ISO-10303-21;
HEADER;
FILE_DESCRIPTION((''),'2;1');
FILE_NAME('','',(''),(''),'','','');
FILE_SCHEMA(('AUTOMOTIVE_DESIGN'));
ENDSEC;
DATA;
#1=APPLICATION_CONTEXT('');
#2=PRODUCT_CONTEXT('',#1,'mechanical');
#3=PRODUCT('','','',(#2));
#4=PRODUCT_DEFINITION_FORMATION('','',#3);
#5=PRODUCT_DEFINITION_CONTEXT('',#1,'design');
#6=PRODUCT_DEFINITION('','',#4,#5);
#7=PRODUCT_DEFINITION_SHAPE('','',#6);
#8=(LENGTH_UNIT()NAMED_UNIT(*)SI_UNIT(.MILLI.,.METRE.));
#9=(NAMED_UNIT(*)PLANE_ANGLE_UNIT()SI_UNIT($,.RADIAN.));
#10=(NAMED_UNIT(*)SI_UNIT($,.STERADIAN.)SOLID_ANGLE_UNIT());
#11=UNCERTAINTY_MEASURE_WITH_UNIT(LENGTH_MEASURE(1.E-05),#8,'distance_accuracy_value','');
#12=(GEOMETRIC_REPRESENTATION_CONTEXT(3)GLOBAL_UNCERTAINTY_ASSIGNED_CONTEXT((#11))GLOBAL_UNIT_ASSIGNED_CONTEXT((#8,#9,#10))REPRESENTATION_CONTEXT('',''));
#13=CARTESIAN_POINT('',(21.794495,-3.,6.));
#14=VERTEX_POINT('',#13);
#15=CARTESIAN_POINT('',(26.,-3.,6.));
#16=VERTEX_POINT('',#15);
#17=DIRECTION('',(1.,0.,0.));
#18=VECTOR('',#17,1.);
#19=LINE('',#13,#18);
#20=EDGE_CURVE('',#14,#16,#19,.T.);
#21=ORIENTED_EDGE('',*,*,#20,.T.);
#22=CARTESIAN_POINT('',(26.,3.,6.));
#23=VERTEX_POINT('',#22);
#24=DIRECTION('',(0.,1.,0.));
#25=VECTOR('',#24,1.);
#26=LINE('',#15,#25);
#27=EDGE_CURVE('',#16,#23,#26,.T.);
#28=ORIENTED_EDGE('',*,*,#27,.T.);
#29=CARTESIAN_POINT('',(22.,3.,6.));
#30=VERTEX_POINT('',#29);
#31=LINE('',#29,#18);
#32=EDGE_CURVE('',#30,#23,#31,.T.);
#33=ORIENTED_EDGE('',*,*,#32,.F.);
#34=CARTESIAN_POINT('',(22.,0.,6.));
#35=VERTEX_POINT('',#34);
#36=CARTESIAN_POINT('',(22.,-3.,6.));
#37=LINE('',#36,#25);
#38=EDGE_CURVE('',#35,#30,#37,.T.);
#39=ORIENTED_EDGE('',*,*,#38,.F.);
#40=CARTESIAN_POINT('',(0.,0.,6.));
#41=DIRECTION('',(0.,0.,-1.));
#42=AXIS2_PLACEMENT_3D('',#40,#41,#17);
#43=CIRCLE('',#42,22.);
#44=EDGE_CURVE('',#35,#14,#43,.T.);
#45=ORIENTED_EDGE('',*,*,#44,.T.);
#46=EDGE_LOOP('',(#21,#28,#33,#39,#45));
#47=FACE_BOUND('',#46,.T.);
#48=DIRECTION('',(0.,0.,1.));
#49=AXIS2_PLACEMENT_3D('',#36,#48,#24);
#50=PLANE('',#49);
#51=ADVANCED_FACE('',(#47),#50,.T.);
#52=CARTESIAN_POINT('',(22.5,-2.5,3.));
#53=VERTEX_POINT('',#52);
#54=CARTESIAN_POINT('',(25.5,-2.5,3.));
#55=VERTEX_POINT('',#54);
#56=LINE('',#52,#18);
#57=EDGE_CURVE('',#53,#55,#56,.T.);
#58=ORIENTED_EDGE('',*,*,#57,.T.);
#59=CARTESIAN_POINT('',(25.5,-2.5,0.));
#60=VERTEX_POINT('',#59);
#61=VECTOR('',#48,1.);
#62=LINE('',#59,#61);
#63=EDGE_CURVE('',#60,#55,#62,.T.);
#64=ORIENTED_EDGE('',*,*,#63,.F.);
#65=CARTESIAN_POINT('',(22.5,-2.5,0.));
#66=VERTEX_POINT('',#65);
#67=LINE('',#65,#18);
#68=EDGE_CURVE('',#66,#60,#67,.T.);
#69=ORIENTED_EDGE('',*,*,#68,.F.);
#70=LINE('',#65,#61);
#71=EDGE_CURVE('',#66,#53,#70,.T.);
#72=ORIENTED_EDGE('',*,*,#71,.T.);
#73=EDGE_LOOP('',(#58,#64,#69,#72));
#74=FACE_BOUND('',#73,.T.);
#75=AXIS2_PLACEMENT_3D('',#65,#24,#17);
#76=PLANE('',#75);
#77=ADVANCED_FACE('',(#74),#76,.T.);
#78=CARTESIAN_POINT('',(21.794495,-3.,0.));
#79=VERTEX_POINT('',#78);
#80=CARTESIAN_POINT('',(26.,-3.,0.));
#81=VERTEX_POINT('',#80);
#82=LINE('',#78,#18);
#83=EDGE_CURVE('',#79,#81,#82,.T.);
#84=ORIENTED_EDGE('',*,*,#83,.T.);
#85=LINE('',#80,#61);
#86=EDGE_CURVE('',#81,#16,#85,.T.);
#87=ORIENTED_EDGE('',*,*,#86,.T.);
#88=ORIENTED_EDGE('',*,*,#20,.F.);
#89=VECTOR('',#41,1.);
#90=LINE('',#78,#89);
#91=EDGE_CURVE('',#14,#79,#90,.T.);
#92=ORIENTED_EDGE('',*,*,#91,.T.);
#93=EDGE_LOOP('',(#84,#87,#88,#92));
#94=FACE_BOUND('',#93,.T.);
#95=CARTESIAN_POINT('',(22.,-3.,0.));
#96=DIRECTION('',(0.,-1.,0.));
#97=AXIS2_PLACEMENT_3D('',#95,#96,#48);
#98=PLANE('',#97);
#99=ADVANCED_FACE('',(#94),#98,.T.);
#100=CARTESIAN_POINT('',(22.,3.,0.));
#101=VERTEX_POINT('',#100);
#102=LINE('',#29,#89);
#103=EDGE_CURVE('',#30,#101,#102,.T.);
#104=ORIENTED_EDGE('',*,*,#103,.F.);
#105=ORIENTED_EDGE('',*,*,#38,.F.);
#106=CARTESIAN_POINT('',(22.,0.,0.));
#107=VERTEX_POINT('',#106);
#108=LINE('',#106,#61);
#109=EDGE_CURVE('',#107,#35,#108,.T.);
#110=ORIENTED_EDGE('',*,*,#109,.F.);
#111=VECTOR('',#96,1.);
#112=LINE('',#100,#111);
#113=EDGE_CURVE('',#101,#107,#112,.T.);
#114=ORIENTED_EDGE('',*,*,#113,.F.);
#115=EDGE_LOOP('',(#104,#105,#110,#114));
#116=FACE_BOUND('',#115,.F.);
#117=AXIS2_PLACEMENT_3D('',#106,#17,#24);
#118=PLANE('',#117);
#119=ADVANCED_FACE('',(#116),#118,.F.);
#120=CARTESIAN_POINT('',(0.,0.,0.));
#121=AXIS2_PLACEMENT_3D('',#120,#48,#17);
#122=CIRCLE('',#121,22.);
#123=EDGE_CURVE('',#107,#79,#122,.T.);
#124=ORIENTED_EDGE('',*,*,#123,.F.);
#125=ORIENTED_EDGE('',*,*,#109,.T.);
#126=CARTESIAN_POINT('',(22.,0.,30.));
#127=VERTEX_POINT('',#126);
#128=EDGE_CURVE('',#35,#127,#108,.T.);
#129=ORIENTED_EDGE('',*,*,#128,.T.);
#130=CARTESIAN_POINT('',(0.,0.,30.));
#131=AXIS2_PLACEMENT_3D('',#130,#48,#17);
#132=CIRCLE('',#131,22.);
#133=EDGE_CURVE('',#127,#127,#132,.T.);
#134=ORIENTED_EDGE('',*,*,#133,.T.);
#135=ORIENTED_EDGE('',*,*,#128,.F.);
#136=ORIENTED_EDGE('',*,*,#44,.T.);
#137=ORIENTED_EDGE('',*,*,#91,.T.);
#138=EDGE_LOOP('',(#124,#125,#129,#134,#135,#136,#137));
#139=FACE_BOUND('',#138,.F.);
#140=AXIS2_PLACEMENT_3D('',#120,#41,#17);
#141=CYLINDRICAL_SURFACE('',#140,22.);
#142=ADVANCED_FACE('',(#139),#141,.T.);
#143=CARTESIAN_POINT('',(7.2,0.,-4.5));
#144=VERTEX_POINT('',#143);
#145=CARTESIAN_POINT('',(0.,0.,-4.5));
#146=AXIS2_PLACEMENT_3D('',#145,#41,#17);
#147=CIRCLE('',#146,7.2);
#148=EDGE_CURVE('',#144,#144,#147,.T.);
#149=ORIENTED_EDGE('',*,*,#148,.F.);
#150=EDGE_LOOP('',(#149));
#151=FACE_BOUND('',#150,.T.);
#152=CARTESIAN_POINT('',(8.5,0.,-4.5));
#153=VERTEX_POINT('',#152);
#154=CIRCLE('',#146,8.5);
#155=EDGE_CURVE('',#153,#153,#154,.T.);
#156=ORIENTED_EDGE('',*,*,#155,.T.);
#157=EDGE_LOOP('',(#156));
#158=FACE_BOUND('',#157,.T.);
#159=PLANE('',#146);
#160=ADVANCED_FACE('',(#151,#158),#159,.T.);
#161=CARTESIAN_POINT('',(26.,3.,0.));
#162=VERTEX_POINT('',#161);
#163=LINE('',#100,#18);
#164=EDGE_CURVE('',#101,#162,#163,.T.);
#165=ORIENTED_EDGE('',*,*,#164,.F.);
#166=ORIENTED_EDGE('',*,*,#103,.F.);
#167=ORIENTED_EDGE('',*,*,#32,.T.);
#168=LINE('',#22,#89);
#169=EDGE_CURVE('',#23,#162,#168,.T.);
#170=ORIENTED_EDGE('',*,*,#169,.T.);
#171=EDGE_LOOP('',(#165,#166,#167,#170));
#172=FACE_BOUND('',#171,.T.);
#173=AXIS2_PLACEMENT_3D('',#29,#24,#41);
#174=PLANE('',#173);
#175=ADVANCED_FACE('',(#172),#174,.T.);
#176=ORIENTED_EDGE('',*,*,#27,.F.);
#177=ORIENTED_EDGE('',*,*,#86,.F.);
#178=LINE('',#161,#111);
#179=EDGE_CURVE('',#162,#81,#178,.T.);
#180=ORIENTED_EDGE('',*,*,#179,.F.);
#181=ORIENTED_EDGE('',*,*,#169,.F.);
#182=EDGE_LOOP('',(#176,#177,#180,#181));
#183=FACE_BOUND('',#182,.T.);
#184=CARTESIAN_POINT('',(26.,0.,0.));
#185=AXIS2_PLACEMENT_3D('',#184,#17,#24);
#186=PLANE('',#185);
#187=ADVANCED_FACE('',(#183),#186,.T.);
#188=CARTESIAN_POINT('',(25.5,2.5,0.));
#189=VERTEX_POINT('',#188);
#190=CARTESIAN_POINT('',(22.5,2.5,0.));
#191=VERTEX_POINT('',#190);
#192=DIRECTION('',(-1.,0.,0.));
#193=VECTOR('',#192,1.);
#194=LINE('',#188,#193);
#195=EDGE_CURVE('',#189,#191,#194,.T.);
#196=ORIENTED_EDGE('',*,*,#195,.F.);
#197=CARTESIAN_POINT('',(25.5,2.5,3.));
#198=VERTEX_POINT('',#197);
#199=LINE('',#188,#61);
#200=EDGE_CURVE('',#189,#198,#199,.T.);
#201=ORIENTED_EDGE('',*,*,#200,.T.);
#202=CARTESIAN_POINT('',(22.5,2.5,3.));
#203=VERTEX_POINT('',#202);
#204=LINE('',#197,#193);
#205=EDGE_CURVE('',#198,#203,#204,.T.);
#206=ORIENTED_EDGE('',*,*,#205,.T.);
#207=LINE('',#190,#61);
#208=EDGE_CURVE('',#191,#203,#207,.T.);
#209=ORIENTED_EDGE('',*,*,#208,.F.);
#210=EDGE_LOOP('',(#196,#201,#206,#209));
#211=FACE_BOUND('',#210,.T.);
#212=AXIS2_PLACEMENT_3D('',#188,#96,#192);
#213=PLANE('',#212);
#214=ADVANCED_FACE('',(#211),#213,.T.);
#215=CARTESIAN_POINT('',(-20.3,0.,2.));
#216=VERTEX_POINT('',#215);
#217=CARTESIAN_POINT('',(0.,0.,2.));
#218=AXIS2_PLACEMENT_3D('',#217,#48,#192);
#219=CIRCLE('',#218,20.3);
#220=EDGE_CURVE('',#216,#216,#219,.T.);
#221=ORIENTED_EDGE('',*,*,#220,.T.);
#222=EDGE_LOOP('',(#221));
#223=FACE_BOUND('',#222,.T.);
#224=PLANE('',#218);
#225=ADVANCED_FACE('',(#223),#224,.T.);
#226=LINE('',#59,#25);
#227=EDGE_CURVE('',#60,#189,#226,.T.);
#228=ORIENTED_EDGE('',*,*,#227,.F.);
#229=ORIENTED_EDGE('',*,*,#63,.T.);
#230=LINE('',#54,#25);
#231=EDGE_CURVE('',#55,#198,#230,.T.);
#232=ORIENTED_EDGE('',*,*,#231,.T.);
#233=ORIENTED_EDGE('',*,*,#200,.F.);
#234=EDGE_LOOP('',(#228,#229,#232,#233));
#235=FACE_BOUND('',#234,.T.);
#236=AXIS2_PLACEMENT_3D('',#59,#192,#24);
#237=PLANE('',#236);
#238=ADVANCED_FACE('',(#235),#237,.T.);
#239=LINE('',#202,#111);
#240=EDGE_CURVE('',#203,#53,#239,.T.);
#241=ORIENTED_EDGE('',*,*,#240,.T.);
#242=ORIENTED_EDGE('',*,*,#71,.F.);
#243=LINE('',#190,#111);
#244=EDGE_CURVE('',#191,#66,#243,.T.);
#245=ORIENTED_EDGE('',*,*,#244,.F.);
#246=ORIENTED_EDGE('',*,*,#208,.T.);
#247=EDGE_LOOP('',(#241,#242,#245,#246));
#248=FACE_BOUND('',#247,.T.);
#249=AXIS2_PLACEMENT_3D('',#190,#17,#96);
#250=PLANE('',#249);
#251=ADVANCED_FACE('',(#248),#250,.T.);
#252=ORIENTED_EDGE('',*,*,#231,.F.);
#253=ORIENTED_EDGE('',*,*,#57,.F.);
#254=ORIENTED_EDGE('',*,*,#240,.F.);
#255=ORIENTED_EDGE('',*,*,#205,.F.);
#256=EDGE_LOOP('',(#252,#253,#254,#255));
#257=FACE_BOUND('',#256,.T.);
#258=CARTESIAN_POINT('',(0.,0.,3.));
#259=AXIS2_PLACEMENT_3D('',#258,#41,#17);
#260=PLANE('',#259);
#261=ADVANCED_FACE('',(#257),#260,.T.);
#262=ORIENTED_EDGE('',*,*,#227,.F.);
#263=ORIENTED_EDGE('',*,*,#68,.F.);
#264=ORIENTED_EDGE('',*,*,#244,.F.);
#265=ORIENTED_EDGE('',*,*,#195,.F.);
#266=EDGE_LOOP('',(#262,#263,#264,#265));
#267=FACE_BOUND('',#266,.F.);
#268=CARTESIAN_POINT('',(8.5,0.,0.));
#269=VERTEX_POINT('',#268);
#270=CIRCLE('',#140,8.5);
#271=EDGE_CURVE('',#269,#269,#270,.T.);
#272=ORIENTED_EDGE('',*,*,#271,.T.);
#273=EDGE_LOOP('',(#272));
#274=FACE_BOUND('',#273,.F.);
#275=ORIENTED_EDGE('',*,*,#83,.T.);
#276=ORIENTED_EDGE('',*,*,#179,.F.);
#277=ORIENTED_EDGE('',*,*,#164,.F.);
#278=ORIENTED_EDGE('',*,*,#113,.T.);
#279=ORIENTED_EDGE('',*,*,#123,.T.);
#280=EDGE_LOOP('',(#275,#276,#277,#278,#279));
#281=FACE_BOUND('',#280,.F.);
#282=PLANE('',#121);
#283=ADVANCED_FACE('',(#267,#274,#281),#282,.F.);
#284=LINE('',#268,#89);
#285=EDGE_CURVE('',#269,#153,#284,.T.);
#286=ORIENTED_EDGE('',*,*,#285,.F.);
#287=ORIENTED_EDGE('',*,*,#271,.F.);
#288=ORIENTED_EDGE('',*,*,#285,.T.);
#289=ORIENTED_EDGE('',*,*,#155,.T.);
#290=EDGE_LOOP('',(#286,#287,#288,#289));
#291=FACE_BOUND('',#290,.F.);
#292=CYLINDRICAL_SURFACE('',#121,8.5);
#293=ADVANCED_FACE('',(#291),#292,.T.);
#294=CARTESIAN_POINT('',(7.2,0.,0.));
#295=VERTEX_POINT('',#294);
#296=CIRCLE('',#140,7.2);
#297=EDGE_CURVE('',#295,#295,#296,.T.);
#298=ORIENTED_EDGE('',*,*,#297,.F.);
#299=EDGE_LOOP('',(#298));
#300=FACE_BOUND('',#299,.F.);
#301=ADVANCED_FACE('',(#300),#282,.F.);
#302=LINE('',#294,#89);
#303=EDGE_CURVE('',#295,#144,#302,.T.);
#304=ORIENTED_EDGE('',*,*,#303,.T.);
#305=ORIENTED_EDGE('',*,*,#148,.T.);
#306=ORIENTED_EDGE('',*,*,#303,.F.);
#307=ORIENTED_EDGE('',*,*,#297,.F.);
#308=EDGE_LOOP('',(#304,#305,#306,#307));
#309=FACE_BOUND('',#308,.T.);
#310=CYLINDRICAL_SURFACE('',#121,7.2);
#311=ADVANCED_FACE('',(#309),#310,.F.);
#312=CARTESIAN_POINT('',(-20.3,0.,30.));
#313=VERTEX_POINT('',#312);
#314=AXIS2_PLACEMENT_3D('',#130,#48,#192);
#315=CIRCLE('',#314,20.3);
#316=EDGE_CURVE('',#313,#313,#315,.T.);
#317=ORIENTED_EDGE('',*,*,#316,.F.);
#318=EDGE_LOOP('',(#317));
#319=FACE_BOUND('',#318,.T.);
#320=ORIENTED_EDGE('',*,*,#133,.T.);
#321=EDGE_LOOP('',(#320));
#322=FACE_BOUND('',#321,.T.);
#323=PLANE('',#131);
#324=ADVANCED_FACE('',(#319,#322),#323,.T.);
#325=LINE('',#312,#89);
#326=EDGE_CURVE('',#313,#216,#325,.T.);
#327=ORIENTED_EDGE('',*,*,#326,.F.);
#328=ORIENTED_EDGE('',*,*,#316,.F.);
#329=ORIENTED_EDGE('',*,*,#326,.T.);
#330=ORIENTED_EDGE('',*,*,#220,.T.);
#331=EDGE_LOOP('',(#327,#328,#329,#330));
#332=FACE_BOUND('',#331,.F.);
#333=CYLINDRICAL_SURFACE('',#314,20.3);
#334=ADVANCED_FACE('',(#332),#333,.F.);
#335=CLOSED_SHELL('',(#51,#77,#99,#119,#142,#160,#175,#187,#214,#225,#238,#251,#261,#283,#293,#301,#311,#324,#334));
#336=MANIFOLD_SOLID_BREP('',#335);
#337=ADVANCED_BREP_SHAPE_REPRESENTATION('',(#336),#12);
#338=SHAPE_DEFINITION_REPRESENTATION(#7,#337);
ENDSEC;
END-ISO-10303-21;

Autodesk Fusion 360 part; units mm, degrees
sketch "Sketch1" plane through (0, 0, 0) normal (0, 0, 1) x (1, 0, 0)
  circle A0 centre (0, 0) radius 22
  dimension "d1" = 44
extrude "Extrude1" add sketch "Sketch1" along normal blind 30
sketch "Sketch2" plane through (0, 0, 30) normal (0, 0, 1) x (-1, 0, 0)
  circle A0 centre (0, 0) radius 22
  circle A1 centre (0, 0) radius 20.3
  dimension "d4" = 40.6
extrude "Extrude2" cut sketch "Sketch2" against normal blind 28 contours A1
ref_plane "WorkPlane1" through (22, 0, 0) normal (1, 0, 0) x (0, 1, 0)
sketch "Sketch6" plane through (22, 0, 0) normal (1, 0, 0) x (0, 1, 0)
  line L0 (-3, 6) -> (3, 6)
  line L1 (3, 6) -> (3, 0)
  line L2 (3, 0) -> (-3, 0)
  line L3 (-3, 0) -> (-3, 6)
  line L4 (-3, 6) -> (3, 0) construction
  line L5 (3, 6) -> (-3, 0) construction
  point P0 (0, 3)
  dimension "d15" = 6
  dimension "d16" = 6
extrude "Extrude5" add sketch "Sketch6" along normal blind 4 and the other way up to surface second end surface at (21.8907, -2.1905, 20)
sketch "Sketch7" plane through (0, 0, 0) normal (0, 0, -1) x (1, 0, 0)
  line L0 (21.7945, -3) -> (26, -3)
  line L1 (26, -3) -> (26, 3)
  line L2 (26, 3) -> (21.7945, 3)
  line L3 (25.5, -2.5) -> (22.5, -2.5)
  line L4 (22.5, -2.5) -> (22.5, 2.5)
  line L5 (22.5, 2.5) -> (25.5, 2.5)
  line L6 (25.5, 2.5) -> (25.5, -2.5)
  line L7 (25.5, -2.5) -> (22.5, 2.5) construction
  line L8 (22.5, -2.5) -> (25.5, 2.5) construction
  arc A0 (21.7945, 3) -> (21.7945, -3) centre (0, 0) ccw
  point P0 (24, 0)
  dimension "d19" = 3
  dimension "d20" = 5
extrude "Extrude6" cut sketch "Sketch7" against normal blind 3 contours L3 L4 L5 L6
sketch "Sketch8" plane through (0, 0, 0) normal (0, 0, -1) x (1, 0, 0)
  line L0 (22.5, -2.5) -> (22.5, 2.5)
  line L1 (22.5, 2.5) -> (25.5, 2.5)
  line L2 (25.5, 2.5) -> (25.5, -2.5)
  line L3 (25.5, -2.5) -> (22.5, -2.5)
  arc A0 (21.7945, 3) -> (21.7945, -3) centre (0, 0) ccw
  line L4 (21.7945, -3) -> (26, -3)
  line L5 (26, -3) -> (26, 3)
  line L6 (26, 3) -> (21.7945, 3)
  circle A1 centre (0, 0) radius 8.5
  circle A2 centre (0, 0) radius 7.2
  dimension "d25" = 17
  dimension "d26" = 14.4
extrude "Extrude7" add sketch "Sketch8" along normal blind 4.5 contours A1
